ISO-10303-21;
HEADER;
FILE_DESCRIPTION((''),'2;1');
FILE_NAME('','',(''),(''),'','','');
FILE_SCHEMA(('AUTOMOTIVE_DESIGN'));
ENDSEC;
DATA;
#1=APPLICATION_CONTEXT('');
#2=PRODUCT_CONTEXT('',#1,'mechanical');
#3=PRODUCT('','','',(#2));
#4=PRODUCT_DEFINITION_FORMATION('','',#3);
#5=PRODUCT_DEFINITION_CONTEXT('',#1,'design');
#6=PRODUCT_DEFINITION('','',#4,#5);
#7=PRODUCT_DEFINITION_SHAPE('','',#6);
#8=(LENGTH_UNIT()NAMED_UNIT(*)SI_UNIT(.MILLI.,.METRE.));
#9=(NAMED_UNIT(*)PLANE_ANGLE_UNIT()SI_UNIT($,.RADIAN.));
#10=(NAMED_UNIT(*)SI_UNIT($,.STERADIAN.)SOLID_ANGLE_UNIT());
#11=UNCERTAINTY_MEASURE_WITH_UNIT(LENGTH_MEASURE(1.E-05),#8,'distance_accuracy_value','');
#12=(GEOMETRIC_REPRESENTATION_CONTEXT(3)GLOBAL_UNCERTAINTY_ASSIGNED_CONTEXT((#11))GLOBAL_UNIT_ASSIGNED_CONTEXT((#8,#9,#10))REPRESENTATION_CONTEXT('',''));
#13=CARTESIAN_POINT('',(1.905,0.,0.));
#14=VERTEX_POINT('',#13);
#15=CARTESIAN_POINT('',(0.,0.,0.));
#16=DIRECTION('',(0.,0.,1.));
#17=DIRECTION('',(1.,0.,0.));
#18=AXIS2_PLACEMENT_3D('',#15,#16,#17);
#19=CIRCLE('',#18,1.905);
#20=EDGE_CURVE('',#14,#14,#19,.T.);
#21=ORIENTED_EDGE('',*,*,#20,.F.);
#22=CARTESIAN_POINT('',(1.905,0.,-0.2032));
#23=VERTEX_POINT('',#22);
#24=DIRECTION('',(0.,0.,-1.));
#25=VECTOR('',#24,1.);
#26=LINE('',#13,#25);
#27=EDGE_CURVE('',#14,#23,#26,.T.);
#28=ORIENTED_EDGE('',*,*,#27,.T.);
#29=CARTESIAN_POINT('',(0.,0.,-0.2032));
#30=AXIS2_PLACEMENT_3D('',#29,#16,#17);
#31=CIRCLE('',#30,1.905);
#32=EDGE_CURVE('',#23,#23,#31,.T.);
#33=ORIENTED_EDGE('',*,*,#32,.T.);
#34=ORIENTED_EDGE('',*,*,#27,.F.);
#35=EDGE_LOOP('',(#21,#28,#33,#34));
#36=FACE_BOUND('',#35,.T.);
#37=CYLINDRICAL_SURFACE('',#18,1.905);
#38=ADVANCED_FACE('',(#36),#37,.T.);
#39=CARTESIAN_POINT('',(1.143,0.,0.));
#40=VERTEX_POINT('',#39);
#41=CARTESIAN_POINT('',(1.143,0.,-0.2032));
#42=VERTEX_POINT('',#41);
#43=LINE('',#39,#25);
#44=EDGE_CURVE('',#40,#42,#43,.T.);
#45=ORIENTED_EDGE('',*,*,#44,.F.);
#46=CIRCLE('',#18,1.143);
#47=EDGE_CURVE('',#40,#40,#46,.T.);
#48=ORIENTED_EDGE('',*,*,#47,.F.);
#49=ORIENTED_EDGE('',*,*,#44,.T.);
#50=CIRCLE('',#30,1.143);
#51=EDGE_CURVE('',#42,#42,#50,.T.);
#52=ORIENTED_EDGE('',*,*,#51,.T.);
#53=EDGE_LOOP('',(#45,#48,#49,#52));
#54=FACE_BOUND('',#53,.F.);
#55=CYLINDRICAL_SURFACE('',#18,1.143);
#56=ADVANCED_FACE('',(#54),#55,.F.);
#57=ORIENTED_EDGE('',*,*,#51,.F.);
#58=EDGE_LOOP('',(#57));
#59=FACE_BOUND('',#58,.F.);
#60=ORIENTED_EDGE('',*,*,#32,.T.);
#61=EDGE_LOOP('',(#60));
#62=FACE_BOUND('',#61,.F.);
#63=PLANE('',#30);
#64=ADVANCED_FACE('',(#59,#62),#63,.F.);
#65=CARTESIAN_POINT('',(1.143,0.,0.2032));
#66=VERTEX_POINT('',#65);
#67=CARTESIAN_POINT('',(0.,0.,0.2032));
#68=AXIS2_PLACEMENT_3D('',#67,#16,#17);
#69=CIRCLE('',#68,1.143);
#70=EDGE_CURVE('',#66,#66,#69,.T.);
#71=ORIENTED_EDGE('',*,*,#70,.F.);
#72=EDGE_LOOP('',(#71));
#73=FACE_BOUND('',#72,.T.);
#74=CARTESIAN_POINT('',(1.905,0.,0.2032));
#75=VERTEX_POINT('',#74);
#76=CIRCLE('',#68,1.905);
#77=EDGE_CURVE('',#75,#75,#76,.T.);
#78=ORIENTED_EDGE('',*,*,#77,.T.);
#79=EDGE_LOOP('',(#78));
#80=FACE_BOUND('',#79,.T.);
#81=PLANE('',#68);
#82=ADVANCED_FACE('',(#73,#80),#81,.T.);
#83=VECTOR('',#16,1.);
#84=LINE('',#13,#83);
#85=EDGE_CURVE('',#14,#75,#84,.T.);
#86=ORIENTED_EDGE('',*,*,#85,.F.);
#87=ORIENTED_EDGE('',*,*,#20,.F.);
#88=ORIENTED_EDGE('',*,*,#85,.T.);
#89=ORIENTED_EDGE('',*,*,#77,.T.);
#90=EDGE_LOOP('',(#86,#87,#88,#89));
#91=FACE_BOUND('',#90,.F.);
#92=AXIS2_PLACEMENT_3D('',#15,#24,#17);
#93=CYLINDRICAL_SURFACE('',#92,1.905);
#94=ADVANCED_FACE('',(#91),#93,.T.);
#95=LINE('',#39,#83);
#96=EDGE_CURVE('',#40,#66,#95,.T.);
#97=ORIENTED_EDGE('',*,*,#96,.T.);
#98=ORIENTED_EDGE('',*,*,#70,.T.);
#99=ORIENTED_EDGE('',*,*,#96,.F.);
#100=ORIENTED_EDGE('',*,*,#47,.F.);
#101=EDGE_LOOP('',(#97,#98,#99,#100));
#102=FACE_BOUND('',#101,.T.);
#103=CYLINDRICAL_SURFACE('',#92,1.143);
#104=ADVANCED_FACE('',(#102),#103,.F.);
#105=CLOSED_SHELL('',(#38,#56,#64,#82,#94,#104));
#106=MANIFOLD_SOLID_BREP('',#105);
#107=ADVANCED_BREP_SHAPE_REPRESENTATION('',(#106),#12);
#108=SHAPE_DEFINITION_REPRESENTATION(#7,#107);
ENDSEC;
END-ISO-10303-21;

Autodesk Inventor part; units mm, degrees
ref_plane "YZ Plane" through (0, 0, 0) normal (1, 0, 0) x (0, 1, 0)
ref_plane "XZ Plane" through (0, 0, 0) normal (0, 1, 0) x (-1, 0, 0)
ref_plane "XY Plane" through (0, 0, 0) normal (0, 0, 1) x (1, 0, 0)
sketch "Sketch1" plane through (0, 0, 0) normal (0, 0, 1) x (1, 0, 0)
  circle A0 centre (0, 0) radius 1.143
  circle A1 centre (0, 0) radius 1.905
  dimension "d0" = 2.286
  dimension "d1" = 3.81
extrude "Extrusion1" add sketch "Sketch1" along normal mid plane 0.4064
properties part number "90945A705" material "Stainless Steel"
